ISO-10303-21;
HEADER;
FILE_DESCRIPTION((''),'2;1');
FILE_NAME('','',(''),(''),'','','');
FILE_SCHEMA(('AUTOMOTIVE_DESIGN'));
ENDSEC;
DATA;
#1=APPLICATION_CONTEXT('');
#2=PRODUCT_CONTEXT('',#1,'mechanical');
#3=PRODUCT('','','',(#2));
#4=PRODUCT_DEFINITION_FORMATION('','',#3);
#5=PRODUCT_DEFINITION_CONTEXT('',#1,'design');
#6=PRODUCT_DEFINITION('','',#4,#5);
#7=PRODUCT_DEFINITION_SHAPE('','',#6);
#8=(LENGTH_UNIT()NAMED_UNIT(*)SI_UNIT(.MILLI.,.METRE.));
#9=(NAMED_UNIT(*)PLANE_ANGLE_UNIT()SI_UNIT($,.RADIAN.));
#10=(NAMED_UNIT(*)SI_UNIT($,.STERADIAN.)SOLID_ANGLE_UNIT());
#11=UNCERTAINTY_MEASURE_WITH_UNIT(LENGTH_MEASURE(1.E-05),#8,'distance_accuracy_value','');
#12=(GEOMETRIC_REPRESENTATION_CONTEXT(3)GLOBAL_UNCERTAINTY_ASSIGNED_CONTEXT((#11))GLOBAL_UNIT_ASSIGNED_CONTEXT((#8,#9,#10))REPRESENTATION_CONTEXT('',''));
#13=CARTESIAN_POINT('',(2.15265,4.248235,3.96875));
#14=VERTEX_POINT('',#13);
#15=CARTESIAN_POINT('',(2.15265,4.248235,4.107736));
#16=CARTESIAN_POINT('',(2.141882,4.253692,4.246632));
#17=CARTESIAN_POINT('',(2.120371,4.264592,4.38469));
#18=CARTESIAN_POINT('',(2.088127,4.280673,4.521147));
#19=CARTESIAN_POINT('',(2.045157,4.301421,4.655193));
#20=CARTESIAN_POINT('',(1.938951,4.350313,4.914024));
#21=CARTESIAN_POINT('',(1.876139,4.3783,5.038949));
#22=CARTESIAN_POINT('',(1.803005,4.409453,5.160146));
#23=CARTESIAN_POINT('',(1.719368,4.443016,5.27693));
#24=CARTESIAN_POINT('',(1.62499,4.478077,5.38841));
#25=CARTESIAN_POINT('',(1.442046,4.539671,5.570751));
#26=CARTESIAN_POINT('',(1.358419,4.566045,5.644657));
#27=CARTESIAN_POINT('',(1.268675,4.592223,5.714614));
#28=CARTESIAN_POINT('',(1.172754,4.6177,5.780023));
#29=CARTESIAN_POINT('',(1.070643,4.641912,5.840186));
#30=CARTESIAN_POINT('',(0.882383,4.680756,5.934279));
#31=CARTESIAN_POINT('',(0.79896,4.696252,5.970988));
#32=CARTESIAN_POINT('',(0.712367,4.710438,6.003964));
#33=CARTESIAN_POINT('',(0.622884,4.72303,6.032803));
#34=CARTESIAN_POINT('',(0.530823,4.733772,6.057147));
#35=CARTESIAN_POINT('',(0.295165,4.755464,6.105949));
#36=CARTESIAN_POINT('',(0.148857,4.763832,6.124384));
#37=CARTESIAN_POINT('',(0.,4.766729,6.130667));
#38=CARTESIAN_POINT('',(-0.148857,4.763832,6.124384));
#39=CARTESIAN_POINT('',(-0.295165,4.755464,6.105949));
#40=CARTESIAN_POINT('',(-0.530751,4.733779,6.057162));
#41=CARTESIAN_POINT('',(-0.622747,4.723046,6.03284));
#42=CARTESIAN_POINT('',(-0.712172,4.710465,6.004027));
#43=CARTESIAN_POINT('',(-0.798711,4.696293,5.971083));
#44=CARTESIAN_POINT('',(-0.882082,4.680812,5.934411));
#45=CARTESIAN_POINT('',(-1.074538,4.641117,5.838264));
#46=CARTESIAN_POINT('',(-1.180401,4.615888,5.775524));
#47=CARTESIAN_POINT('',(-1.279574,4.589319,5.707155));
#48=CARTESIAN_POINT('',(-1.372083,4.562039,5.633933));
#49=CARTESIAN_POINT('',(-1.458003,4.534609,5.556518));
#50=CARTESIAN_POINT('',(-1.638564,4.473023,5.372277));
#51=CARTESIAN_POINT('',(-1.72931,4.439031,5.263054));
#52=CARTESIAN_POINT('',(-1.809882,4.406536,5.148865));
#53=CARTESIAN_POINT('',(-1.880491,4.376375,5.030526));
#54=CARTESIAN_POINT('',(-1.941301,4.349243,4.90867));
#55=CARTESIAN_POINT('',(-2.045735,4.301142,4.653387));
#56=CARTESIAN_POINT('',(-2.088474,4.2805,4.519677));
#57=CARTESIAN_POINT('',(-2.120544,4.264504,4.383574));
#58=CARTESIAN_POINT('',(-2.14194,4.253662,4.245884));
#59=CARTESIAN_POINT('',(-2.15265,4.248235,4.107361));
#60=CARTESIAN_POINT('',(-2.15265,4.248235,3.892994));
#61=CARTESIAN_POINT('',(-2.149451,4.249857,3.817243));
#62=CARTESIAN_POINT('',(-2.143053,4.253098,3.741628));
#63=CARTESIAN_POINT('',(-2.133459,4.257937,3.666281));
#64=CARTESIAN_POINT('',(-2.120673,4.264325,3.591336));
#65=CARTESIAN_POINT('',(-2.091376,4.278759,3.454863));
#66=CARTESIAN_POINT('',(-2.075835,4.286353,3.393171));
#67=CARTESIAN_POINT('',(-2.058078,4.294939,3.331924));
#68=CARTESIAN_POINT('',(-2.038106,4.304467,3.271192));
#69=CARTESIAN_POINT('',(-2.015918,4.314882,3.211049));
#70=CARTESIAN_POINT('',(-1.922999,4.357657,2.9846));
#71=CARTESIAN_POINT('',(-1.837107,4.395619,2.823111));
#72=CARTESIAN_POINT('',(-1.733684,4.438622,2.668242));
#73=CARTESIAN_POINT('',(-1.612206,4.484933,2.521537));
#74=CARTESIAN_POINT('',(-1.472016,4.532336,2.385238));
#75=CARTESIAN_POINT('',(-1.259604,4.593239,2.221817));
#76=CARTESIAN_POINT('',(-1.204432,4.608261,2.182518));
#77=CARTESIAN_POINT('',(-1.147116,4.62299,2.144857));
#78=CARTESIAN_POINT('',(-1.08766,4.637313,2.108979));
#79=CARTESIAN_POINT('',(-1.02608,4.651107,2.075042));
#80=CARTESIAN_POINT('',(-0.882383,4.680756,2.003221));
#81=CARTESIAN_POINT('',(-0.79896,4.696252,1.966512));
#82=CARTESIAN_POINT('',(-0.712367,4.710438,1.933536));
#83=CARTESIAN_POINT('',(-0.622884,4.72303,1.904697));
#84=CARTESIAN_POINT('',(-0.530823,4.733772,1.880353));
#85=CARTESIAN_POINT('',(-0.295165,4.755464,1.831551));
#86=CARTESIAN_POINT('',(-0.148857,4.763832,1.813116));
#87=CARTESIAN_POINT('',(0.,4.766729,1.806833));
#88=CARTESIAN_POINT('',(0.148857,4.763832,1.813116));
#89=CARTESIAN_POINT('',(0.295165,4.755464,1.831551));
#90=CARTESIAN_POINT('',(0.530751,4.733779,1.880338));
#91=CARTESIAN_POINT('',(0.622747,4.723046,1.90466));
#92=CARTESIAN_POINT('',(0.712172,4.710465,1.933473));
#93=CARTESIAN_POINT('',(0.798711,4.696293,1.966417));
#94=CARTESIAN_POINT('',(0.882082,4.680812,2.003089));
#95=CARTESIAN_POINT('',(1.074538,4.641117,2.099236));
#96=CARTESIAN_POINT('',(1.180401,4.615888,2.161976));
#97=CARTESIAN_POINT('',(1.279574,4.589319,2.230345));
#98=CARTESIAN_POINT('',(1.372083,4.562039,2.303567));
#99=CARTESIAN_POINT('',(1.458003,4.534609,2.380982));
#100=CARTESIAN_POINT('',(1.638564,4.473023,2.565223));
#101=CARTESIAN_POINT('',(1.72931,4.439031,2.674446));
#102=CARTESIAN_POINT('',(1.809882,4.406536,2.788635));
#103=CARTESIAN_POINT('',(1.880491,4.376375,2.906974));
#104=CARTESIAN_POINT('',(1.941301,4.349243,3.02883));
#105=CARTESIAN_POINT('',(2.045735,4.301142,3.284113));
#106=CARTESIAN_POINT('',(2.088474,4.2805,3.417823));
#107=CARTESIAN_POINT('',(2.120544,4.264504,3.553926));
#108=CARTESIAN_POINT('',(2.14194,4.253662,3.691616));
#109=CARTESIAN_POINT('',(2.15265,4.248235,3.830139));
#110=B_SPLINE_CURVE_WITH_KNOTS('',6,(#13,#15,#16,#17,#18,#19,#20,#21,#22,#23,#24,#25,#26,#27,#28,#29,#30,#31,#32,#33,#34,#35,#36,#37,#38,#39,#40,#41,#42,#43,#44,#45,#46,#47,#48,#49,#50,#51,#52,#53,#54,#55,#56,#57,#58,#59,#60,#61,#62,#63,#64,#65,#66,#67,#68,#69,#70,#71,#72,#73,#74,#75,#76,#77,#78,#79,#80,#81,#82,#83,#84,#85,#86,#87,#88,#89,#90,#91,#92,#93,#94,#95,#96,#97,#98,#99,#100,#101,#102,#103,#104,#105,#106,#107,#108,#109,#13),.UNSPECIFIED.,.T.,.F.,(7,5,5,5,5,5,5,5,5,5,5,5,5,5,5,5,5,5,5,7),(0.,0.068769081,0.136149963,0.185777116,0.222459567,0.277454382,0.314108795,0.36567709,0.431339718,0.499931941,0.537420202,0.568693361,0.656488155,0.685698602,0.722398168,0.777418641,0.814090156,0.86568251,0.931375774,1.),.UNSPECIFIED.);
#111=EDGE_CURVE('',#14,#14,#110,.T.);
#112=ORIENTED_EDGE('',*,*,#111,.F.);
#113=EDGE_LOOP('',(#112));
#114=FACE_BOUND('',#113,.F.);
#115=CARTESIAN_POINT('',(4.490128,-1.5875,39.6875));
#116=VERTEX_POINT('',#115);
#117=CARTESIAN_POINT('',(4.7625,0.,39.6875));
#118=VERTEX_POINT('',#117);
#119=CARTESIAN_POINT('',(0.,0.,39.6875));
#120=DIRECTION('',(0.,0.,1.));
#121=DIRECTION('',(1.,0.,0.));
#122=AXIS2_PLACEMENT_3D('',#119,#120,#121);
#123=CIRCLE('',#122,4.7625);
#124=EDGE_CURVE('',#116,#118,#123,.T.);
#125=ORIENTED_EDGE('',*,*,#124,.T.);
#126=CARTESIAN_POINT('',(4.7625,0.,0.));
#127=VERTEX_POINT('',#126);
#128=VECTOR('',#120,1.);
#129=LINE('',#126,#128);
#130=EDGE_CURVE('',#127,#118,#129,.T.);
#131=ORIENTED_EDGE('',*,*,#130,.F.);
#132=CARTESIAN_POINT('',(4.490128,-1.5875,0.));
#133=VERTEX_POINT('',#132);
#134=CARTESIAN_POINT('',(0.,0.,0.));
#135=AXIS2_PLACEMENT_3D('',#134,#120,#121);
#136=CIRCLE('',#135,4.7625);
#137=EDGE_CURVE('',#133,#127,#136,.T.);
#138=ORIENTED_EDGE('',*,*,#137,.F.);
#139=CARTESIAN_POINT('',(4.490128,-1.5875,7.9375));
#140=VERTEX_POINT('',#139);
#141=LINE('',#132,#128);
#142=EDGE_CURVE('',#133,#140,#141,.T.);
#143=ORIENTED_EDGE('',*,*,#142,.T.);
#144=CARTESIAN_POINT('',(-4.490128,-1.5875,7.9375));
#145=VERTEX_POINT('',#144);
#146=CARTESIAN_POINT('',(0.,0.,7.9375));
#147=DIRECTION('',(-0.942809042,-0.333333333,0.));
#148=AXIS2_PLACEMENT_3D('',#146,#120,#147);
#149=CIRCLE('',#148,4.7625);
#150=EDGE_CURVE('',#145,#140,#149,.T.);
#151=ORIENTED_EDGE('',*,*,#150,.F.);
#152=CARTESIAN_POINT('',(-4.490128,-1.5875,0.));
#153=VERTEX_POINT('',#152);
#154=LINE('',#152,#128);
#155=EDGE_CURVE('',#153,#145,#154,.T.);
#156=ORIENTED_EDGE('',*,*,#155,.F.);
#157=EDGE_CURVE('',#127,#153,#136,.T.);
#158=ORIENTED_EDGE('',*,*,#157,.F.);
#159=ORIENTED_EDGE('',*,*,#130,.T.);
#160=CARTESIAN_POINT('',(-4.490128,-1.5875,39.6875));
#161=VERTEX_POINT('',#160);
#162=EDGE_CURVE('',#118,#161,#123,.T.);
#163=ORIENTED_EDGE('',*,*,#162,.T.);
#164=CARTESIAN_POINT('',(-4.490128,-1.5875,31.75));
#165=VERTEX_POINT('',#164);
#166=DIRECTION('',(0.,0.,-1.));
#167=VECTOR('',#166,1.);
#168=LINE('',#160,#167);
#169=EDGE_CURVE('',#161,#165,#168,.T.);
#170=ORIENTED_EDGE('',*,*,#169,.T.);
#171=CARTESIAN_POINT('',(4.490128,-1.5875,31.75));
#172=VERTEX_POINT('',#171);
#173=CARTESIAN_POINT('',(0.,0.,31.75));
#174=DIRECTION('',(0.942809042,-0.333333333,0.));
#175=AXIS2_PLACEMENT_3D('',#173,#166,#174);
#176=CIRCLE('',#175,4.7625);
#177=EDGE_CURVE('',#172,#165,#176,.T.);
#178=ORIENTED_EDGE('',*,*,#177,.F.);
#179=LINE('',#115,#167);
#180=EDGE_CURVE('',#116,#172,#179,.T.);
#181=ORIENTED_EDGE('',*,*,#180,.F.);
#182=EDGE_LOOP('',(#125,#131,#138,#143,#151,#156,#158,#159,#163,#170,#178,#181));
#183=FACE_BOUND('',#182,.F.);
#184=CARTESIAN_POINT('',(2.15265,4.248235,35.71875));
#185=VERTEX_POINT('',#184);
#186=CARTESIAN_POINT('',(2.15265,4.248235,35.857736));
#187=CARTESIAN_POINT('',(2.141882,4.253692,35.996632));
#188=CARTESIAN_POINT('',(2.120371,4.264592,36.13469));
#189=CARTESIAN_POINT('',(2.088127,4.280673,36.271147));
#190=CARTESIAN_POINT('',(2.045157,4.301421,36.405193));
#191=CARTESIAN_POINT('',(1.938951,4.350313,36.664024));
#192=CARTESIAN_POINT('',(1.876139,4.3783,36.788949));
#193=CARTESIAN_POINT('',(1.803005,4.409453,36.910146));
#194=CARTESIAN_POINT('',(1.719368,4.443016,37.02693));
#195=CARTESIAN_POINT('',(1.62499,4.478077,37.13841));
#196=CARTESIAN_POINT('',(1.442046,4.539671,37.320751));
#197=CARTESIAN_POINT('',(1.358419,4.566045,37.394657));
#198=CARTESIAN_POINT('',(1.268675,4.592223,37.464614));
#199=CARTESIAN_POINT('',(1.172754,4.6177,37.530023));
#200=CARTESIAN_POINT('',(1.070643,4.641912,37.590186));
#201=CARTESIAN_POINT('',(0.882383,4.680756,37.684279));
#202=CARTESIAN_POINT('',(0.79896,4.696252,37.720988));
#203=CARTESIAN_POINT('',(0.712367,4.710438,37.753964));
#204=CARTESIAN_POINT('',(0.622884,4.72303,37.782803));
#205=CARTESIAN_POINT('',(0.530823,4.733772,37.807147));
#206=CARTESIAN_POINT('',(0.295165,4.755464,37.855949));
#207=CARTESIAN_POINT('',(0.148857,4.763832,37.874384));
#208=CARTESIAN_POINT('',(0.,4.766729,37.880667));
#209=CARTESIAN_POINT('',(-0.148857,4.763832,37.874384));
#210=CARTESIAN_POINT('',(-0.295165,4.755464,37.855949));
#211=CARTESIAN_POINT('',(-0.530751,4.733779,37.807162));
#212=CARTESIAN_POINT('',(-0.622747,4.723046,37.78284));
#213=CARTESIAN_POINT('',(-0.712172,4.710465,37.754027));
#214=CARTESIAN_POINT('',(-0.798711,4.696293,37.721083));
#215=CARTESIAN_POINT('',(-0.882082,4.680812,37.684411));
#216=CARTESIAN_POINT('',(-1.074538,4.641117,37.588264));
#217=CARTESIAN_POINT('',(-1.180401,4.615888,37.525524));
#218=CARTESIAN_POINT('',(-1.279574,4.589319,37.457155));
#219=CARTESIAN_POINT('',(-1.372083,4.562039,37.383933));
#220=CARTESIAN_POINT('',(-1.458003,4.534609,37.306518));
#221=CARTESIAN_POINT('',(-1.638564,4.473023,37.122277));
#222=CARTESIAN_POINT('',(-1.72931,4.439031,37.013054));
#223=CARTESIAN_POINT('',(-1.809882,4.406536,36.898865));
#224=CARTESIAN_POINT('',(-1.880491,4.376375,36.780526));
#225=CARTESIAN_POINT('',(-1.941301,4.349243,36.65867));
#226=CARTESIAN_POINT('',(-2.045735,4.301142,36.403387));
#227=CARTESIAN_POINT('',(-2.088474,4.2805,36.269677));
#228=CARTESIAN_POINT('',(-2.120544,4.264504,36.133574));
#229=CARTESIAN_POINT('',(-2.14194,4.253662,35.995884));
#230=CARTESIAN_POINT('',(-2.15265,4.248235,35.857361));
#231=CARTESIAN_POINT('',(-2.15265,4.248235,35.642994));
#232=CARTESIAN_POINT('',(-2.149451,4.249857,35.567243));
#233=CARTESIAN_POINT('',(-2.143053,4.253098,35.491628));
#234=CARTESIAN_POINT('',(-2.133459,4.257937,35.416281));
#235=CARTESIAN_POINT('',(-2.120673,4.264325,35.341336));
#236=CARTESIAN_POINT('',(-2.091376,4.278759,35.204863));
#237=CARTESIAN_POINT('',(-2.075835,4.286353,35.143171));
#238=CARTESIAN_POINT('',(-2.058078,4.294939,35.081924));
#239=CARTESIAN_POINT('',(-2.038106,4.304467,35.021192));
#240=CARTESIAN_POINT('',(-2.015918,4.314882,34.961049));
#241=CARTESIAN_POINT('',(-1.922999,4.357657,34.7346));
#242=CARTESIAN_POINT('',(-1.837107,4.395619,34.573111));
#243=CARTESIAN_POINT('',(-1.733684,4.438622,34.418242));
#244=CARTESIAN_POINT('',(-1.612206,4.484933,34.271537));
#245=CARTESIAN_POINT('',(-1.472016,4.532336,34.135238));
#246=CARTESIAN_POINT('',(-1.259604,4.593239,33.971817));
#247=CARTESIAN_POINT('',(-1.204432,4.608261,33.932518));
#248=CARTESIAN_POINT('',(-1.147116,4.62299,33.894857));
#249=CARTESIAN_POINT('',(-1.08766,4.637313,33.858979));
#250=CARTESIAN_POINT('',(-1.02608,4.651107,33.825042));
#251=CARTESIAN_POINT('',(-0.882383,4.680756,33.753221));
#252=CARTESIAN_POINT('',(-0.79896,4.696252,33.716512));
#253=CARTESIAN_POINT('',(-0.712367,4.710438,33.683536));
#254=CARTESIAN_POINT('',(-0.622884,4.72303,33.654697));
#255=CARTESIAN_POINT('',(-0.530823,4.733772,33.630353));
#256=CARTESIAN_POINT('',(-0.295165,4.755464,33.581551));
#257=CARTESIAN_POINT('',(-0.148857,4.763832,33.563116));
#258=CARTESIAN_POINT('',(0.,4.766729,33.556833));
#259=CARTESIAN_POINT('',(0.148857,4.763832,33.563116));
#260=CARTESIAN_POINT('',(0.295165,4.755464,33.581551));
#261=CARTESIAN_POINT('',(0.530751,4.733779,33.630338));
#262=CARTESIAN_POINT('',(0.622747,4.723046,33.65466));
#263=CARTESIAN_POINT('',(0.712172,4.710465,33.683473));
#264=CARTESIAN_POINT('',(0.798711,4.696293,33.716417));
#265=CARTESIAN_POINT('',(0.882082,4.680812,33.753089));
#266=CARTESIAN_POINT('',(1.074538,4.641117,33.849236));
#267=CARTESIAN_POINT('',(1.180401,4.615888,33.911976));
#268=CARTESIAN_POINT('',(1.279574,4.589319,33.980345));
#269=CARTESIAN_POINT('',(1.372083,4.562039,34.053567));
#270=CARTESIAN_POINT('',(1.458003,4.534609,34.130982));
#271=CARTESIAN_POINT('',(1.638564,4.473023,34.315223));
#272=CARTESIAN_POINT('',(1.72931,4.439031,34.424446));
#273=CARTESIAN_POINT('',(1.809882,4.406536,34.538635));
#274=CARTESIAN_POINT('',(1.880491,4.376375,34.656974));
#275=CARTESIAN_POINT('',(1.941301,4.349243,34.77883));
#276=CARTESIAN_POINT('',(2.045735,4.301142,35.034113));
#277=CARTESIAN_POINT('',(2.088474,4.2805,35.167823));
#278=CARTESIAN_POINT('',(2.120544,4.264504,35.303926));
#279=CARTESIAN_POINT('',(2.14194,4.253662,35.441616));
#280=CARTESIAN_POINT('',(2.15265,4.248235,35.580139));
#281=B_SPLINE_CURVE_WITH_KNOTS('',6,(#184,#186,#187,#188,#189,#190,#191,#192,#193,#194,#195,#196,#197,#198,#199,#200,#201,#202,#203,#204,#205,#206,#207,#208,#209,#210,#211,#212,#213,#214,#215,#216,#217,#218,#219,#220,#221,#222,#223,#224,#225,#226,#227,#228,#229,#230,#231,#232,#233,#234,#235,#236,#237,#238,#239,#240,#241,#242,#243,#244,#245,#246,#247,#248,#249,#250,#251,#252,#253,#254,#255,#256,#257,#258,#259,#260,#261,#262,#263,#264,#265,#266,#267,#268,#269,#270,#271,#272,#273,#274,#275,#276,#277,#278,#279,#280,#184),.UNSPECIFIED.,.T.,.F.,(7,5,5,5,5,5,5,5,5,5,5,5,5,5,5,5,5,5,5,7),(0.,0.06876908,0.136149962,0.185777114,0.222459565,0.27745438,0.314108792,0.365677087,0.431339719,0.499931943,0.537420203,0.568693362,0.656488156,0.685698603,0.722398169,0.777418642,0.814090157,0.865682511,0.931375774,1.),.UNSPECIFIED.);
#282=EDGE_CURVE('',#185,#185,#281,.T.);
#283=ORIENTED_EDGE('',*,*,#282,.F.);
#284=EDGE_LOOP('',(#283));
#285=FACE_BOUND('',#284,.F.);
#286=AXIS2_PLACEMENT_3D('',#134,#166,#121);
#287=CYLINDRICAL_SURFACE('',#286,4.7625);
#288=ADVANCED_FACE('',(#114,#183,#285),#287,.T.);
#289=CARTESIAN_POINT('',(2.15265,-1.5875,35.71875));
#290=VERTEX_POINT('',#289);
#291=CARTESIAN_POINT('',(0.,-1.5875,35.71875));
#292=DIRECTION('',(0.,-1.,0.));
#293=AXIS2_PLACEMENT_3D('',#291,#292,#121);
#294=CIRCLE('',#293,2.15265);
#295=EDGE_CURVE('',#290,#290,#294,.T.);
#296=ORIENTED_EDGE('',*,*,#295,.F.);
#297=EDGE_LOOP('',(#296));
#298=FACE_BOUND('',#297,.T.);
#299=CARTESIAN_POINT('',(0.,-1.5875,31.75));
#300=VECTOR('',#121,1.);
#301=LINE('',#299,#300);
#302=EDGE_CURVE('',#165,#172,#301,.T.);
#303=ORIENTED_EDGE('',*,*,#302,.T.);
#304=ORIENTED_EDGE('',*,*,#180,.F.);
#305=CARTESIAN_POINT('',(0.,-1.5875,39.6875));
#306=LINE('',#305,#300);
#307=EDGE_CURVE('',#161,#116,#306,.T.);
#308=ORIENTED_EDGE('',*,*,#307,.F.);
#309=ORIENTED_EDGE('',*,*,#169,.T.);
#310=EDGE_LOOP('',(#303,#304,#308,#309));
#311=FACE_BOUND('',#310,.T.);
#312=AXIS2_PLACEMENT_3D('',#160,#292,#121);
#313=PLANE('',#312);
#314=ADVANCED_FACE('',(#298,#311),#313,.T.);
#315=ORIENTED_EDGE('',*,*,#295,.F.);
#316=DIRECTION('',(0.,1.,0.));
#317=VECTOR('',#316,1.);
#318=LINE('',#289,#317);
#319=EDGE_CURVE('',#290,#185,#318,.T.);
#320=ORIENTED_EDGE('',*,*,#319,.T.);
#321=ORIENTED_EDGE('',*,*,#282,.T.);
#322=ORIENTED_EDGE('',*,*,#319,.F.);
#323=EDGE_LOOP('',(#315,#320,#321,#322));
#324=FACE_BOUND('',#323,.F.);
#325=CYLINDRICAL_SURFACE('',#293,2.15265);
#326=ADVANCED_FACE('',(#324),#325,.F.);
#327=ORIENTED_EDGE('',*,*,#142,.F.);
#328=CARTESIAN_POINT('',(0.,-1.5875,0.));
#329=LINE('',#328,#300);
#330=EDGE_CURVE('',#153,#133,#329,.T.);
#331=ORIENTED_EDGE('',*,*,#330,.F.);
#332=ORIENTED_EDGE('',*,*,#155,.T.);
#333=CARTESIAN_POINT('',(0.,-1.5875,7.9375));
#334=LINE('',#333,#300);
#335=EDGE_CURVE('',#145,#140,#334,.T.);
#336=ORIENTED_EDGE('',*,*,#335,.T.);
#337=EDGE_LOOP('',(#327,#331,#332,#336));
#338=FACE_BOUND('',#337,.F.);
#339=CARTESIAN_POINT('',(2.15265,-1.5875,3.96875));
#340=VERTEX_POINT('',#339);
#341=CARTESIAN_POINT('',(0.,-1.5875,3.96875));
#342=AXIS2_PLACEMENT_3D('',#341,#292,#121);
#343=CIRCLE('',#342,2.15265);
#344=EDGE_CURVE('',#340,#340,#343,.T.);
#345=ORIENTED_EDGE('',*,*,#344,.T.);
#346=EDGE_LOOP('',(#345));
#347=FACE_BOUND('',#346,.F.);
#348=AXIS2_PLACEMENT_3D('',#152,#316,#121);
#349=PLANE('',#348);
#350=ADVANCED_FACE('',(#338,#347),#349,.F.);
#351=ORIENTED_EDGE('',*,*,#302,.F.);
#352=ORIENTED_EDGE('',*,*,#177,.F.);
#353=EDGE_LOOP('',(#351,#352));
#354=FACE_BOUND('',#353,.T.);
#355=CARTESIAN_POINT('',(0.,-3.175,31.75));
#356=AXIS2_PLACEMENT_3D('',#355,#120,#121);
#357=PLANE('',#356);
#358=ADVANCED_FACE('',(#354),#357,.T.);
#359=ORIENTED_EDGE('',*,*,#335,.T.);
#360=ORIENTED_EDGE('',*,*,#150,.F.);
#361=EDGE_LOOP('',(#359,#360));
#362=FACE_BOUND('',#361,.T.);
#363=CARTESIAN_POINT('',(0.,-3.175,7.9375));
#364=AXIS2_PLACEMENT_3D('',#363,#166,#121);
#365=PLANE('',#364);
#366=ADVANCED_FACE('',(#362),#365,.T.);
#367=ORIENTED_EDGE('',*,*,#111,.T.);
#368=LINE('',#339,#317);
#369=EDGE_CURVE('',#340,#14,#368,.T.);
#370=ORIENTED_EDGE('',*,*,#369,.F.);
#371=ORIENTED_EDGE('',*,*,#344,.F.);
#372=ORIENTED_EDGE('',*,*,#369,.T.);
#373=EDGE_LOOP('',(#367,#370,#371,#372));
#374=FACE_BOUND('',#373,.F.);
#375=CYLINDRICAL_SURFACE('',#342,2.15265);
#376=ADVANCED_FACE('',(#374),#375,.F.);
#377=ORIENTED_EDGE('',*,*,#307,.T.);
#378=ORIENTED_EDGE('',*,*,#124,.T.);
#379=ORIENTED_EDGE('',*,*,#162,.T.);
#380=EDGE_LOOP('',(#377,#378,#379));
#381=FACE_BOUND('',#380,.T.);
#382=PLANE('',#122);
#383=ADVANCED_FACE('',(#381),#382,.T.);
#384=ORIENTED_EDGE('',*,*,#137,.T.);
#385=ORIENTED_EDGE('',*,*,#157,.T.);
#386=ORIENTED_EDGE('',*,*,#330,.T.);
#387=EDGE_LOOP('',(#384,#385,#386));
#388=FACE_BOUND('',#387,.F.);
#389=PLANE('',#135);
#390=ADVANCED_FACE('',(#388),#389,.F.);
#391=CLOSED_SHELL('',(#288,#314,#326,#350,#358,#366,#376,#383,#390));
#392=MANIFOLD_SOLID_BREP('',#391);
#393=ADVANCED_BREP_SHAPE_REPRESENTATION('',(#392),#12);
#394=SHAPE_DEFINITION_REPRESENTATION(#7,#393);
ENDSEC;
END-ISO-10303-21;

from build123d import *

# Parameters (mm, degrees)
F0_R     = 4.7625
F1_DEPTH = 39.6875
F2_W     = 8.9802561211
F2_H     = 3.175
F3_DEPTH = 7.9375
F4_W     = 8.9802561211
F4_H     = 3.175
F5_DEPTH = 7.9375
F6_R     = 2.15265
F7_DEPTH = 7.3500001002


with BuildPart() as f1:
    # F0 (on Top) → F1 (new body)
    with BuildSketch(Plane.XY):
        Circle(F0_R)
    extrude(amount=F1_DEPTH)

    # F2 (on face) → F3 (cut)
    with BuildSketch(Plane.XY.offset(39.6875)):
        with Locations((0, -3.175)):
            Rectangle(F2_W, F2_H)
    extrude(amount=-F3_DEPTH, mode=Mode.SUBTRACT)

    # F4 (on face) → F5 (cut)
    with BuildSketch(Plane(origin=(0, 0, 0), x_dir=(1, 0, 0), z_dir=(0, 0, -1))):
        with Locations((0, 3.175)):
            Rectangle(F4_W, F4_H)
    extrude(amount=-F5_DEPTH, mode=Mode.SUBTRACT)

    # F6 (on face) → F7 (cut, up to face)
    with BuildSketch(Plane.XZ.offset(1.5875)):
        with Locations((0, 35.71875)):
            Circle(F6_R)
        with Locations((0, 3.96875)):
            Circle(F6_R)
    extrude(amount=-F7_DEPTH, mode=Mode.SUBTRACT)


solid = f1.part
